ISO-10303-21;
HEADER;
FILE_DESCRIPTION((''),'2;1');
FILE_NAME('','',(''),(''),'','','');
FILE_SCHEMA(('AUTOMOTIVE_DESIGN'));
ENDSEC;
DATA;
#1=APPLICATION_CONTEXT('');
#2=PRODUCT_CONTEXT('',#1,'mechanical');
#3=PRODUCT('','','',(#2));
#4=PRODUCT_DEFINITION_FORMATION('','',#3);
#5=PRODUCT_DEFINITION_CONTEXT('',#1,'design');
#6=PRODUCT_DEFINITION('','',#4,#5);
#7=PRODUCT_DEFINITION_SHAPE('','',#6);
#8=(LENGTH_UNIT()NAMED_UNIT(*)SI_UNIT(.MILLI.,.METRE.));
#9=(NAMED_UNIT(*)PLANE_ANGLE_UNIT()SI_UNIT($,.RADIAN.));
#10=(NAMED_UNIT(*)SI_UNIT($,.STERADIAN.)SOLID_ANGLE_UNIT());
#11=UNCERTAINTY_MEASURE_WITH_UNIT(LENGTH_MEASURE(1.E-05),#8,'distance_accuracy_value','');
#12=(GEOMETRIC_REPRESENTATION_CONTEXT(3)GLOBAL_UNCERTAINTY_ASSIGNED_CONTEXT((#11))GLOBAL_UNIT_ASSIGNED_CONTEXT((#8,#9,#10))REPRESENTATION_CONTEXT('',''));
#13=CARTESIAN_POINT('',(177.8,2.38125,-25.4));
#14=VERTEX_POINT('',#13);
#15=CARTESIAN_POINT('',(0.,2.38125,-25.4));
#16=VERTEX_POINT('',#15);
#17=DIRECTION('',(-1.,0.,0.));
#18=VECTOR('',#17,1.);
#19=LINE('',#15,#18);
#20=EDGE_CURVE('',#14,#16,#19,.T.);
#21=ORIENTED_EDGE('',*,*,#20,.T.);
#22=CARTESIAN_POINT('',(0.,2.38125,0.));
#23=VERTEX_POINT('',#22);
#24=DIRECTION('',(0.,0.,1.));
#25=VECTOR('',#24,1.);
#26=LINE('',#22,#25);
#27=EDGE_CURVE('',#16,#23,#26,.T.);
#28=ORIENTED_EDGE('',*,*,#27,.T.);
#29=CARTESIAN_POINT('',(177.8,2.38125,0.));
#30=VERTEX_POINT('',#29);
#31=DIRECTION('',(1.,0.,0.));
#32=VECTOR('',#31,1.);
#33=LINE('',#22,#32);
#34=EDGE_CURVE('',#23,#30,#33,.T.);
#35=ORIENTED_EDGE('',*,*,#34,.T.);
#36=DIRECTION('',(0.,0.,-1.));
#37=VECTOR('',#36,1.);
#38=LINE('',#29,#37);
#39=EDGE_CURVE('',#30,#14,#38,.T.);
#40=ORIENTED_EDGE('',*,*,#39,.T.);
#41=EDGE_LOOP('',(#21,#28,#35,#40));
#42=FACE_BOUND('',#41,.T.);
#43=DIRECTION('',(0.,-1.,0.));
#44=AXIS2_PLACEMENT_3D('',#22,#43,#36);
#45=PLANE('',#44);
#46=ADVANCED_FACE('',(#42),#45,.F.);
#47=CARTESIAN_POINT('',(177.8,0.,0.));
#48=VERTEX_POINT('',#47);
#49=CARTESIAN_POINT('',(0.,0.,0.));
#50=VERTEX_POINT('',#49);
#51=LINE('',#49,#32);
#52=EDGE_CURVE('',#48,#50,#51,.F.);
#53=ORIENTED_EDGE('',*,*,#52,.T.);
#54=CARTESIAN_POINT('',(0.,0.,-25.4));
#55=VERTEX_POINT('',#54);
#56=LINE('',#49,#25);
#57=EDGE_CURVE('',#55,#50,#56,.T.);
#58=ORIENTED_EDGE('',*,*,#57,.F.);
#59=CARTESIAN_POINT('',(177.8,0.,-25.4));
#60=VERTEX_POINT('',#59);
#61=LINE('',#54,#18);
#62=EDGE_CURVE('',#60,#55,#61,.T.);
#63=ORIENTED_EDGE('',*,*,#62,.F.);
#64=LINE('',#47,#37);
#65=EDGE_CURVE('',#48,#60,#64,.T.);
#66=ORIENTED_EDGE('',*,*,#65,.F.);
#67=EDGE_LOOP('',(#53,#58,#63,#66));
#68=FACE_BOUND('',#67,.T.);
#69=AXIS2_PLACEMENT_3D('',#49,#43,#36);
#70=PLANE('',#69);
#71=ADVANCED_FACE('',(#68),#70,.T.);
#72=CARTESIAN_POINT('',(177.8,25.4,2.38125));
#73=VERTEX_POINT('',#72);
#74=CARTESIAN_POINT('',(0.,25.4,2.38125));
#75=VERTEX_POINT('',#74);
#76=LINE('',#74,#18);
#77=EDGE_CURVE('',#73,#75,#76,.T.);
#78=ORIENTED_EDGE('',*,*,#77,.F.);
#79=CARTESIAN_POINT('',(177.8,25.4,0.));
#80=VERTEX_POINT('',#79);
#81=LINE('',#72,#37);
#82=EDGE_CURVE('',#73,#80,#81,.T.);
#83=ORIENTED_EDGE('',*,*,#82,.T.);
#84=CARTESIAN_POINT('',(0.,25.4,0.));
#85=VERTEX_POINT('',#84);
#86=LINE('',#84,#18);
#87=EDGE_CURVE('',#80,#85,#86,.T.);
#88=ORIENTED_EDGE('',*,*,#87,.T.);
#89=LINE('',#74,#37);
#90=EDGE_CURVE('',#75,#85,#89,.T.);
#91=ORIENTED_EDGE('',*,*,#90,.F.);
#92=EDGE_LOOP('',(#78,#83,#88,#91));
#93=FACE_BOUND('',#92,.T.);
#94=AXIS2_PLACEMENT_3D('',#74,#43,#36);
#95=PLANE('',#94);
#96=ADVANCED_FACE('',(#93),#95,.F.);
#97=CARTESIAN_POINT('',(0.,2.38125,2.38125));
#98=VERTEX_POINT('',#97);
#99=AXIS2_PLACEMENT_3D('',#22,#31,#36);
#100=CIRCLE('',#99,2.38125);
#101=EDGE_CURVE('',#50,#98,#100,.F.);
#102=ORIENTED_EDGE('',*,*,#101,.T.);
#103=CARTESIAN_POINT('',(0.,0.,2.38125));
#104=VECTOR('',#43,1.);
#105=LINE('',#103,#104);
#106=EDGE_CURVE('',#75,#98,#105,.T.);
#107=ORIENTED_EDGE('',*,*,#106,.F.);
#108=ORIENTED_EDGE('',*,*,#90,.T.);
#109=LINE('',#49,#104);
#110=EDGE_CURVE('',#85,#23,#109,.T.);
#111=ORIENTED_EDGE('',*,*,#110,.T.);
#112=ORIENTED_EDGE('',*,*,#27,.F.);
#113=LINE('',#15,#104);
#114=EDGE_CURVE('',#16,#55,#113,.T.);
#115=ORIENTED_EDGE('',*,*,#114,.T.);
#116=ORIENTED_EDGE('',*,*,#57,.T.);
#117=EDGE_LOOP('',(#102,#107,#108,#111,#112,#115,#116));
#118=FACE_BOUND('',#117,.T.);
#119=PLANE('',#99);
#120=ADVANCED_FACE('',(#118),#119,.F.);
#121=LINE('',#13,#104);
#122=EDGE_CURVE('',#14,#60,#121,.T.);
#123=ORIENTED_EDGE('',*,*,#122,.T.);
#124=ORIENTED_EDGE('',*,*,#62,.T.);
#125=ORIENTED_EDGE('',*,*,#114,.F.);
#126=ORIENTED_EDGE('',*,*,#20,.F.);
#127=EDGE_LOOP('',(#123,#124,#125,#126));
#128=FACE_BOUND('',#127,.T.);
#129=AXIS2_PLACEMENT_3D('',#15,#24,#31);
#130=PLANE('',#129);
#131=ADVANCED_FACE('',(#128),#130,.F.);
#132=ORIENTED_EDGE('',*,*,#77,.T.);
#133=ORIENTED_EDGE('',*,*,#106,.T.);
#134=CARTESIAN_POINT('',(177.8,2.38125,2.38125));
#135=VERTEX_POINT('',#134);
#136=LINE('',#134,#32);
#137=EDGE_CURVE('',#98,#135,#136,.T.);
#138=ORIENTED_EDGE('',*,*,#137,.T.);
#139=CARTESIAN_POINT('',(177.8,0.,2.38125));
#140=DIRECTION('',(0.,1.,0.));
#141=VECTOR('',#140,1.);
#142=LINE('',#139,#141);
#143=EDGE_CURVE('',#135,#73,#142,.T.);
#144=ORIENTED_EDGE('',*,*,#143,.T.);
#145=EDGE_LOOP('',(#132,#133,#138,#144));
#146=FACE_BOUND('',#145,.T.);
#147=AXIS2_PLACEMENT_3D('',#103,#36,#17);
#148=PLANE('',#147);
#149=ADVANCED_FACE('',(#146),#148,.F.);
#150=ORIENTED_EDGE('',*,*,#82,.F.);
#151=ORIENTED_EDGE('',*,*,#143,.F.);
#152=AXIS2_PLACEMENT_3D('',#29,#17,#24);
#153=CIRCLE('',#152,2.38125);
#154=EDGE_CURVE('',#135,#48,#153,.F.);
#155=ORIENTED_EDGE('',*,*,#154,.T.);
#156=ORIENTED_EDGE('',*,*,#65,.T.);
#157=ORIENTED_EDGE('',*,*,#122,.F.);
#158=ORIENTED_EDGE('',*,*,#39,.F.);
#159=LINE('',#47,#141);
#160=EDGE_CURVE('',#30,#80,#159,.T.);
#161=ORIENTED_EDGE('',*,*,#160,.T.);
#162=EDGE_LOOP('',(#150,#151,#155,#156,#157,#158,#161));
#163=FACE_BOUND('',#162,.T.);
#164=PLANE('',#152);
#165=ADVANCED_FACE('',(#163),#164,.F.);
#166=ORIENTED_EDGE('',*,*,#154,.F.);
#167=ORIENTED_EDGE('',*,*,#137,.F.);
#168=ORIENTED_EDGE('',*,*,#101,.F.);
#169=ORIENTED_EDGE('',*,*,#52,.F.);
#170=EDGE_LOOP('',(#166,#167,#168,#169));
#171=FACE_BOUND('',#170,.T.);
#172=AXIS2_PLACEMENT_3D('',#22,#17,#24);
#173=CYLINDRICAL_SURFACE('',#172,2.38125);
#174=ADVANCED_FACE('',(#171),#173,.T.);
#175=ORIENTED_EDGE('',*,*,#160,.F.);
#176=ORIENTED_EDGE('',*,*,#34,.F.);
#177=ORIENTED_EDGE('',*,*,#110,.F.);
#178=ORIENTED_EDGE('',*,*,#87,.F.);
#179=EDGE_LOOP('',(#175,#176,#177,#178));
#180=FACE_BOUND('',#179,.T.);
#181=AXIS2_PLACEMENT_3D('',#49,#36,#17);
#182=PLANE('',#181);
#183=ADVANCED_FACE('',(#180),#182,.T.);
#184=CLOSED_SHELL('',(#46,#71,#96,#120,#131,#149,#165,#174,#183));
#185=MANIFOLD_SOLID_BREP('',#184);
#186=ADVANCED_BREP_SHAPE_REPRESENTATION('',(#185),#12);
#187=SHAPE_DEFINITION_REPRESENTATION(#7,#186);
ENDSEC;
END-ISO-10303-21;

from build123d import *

# Parameters (mm, degrees)
SKETCH1_W           = 177.8
SKETCH1_H           = 25.4
BOSS_EXTRUDE1_DEPTH = 2.38125
SKETCH2_W           = 177.8
SKETCH2_H           = 25.4
BOSS_EXTRUDE2_DEPTH = 2.38125
FILLET1_R           = 2.38125


with BuildPart() as part:
    # Sketch1 → Boss-Extrude1 (new body)
    with BuildSketch(Plane(origin=(0, 0, 0), x_dir=(1, 0, 0), z_dir=(0, 1, 0))):
        with Locations((88.9, 12.7)):
            Rectangle(SKETCH1_W, SKETCH1_H)
    extrude(amount=BOSS_EXTRUDE1_DEPTH)

    # Sketch2 → Boss-Extrude2 (add)
    with BuildSketch(Plane.XY):
        with Locations((88.9, 12.7)):
            Rectangle(SKETCH2_W, SKETCH2_H)
    extrude(amount=BOSS_EXTRUDE2_DEPTH)

    # Fillet1
    fillet1_edges = [part.edges().sort_by_distance(p)[0] for p in [
        (88.9, 0, 2.38125),
    ]]
    fillet(fillet1_edges, radius=FILLET1_R)


solid = part.part
